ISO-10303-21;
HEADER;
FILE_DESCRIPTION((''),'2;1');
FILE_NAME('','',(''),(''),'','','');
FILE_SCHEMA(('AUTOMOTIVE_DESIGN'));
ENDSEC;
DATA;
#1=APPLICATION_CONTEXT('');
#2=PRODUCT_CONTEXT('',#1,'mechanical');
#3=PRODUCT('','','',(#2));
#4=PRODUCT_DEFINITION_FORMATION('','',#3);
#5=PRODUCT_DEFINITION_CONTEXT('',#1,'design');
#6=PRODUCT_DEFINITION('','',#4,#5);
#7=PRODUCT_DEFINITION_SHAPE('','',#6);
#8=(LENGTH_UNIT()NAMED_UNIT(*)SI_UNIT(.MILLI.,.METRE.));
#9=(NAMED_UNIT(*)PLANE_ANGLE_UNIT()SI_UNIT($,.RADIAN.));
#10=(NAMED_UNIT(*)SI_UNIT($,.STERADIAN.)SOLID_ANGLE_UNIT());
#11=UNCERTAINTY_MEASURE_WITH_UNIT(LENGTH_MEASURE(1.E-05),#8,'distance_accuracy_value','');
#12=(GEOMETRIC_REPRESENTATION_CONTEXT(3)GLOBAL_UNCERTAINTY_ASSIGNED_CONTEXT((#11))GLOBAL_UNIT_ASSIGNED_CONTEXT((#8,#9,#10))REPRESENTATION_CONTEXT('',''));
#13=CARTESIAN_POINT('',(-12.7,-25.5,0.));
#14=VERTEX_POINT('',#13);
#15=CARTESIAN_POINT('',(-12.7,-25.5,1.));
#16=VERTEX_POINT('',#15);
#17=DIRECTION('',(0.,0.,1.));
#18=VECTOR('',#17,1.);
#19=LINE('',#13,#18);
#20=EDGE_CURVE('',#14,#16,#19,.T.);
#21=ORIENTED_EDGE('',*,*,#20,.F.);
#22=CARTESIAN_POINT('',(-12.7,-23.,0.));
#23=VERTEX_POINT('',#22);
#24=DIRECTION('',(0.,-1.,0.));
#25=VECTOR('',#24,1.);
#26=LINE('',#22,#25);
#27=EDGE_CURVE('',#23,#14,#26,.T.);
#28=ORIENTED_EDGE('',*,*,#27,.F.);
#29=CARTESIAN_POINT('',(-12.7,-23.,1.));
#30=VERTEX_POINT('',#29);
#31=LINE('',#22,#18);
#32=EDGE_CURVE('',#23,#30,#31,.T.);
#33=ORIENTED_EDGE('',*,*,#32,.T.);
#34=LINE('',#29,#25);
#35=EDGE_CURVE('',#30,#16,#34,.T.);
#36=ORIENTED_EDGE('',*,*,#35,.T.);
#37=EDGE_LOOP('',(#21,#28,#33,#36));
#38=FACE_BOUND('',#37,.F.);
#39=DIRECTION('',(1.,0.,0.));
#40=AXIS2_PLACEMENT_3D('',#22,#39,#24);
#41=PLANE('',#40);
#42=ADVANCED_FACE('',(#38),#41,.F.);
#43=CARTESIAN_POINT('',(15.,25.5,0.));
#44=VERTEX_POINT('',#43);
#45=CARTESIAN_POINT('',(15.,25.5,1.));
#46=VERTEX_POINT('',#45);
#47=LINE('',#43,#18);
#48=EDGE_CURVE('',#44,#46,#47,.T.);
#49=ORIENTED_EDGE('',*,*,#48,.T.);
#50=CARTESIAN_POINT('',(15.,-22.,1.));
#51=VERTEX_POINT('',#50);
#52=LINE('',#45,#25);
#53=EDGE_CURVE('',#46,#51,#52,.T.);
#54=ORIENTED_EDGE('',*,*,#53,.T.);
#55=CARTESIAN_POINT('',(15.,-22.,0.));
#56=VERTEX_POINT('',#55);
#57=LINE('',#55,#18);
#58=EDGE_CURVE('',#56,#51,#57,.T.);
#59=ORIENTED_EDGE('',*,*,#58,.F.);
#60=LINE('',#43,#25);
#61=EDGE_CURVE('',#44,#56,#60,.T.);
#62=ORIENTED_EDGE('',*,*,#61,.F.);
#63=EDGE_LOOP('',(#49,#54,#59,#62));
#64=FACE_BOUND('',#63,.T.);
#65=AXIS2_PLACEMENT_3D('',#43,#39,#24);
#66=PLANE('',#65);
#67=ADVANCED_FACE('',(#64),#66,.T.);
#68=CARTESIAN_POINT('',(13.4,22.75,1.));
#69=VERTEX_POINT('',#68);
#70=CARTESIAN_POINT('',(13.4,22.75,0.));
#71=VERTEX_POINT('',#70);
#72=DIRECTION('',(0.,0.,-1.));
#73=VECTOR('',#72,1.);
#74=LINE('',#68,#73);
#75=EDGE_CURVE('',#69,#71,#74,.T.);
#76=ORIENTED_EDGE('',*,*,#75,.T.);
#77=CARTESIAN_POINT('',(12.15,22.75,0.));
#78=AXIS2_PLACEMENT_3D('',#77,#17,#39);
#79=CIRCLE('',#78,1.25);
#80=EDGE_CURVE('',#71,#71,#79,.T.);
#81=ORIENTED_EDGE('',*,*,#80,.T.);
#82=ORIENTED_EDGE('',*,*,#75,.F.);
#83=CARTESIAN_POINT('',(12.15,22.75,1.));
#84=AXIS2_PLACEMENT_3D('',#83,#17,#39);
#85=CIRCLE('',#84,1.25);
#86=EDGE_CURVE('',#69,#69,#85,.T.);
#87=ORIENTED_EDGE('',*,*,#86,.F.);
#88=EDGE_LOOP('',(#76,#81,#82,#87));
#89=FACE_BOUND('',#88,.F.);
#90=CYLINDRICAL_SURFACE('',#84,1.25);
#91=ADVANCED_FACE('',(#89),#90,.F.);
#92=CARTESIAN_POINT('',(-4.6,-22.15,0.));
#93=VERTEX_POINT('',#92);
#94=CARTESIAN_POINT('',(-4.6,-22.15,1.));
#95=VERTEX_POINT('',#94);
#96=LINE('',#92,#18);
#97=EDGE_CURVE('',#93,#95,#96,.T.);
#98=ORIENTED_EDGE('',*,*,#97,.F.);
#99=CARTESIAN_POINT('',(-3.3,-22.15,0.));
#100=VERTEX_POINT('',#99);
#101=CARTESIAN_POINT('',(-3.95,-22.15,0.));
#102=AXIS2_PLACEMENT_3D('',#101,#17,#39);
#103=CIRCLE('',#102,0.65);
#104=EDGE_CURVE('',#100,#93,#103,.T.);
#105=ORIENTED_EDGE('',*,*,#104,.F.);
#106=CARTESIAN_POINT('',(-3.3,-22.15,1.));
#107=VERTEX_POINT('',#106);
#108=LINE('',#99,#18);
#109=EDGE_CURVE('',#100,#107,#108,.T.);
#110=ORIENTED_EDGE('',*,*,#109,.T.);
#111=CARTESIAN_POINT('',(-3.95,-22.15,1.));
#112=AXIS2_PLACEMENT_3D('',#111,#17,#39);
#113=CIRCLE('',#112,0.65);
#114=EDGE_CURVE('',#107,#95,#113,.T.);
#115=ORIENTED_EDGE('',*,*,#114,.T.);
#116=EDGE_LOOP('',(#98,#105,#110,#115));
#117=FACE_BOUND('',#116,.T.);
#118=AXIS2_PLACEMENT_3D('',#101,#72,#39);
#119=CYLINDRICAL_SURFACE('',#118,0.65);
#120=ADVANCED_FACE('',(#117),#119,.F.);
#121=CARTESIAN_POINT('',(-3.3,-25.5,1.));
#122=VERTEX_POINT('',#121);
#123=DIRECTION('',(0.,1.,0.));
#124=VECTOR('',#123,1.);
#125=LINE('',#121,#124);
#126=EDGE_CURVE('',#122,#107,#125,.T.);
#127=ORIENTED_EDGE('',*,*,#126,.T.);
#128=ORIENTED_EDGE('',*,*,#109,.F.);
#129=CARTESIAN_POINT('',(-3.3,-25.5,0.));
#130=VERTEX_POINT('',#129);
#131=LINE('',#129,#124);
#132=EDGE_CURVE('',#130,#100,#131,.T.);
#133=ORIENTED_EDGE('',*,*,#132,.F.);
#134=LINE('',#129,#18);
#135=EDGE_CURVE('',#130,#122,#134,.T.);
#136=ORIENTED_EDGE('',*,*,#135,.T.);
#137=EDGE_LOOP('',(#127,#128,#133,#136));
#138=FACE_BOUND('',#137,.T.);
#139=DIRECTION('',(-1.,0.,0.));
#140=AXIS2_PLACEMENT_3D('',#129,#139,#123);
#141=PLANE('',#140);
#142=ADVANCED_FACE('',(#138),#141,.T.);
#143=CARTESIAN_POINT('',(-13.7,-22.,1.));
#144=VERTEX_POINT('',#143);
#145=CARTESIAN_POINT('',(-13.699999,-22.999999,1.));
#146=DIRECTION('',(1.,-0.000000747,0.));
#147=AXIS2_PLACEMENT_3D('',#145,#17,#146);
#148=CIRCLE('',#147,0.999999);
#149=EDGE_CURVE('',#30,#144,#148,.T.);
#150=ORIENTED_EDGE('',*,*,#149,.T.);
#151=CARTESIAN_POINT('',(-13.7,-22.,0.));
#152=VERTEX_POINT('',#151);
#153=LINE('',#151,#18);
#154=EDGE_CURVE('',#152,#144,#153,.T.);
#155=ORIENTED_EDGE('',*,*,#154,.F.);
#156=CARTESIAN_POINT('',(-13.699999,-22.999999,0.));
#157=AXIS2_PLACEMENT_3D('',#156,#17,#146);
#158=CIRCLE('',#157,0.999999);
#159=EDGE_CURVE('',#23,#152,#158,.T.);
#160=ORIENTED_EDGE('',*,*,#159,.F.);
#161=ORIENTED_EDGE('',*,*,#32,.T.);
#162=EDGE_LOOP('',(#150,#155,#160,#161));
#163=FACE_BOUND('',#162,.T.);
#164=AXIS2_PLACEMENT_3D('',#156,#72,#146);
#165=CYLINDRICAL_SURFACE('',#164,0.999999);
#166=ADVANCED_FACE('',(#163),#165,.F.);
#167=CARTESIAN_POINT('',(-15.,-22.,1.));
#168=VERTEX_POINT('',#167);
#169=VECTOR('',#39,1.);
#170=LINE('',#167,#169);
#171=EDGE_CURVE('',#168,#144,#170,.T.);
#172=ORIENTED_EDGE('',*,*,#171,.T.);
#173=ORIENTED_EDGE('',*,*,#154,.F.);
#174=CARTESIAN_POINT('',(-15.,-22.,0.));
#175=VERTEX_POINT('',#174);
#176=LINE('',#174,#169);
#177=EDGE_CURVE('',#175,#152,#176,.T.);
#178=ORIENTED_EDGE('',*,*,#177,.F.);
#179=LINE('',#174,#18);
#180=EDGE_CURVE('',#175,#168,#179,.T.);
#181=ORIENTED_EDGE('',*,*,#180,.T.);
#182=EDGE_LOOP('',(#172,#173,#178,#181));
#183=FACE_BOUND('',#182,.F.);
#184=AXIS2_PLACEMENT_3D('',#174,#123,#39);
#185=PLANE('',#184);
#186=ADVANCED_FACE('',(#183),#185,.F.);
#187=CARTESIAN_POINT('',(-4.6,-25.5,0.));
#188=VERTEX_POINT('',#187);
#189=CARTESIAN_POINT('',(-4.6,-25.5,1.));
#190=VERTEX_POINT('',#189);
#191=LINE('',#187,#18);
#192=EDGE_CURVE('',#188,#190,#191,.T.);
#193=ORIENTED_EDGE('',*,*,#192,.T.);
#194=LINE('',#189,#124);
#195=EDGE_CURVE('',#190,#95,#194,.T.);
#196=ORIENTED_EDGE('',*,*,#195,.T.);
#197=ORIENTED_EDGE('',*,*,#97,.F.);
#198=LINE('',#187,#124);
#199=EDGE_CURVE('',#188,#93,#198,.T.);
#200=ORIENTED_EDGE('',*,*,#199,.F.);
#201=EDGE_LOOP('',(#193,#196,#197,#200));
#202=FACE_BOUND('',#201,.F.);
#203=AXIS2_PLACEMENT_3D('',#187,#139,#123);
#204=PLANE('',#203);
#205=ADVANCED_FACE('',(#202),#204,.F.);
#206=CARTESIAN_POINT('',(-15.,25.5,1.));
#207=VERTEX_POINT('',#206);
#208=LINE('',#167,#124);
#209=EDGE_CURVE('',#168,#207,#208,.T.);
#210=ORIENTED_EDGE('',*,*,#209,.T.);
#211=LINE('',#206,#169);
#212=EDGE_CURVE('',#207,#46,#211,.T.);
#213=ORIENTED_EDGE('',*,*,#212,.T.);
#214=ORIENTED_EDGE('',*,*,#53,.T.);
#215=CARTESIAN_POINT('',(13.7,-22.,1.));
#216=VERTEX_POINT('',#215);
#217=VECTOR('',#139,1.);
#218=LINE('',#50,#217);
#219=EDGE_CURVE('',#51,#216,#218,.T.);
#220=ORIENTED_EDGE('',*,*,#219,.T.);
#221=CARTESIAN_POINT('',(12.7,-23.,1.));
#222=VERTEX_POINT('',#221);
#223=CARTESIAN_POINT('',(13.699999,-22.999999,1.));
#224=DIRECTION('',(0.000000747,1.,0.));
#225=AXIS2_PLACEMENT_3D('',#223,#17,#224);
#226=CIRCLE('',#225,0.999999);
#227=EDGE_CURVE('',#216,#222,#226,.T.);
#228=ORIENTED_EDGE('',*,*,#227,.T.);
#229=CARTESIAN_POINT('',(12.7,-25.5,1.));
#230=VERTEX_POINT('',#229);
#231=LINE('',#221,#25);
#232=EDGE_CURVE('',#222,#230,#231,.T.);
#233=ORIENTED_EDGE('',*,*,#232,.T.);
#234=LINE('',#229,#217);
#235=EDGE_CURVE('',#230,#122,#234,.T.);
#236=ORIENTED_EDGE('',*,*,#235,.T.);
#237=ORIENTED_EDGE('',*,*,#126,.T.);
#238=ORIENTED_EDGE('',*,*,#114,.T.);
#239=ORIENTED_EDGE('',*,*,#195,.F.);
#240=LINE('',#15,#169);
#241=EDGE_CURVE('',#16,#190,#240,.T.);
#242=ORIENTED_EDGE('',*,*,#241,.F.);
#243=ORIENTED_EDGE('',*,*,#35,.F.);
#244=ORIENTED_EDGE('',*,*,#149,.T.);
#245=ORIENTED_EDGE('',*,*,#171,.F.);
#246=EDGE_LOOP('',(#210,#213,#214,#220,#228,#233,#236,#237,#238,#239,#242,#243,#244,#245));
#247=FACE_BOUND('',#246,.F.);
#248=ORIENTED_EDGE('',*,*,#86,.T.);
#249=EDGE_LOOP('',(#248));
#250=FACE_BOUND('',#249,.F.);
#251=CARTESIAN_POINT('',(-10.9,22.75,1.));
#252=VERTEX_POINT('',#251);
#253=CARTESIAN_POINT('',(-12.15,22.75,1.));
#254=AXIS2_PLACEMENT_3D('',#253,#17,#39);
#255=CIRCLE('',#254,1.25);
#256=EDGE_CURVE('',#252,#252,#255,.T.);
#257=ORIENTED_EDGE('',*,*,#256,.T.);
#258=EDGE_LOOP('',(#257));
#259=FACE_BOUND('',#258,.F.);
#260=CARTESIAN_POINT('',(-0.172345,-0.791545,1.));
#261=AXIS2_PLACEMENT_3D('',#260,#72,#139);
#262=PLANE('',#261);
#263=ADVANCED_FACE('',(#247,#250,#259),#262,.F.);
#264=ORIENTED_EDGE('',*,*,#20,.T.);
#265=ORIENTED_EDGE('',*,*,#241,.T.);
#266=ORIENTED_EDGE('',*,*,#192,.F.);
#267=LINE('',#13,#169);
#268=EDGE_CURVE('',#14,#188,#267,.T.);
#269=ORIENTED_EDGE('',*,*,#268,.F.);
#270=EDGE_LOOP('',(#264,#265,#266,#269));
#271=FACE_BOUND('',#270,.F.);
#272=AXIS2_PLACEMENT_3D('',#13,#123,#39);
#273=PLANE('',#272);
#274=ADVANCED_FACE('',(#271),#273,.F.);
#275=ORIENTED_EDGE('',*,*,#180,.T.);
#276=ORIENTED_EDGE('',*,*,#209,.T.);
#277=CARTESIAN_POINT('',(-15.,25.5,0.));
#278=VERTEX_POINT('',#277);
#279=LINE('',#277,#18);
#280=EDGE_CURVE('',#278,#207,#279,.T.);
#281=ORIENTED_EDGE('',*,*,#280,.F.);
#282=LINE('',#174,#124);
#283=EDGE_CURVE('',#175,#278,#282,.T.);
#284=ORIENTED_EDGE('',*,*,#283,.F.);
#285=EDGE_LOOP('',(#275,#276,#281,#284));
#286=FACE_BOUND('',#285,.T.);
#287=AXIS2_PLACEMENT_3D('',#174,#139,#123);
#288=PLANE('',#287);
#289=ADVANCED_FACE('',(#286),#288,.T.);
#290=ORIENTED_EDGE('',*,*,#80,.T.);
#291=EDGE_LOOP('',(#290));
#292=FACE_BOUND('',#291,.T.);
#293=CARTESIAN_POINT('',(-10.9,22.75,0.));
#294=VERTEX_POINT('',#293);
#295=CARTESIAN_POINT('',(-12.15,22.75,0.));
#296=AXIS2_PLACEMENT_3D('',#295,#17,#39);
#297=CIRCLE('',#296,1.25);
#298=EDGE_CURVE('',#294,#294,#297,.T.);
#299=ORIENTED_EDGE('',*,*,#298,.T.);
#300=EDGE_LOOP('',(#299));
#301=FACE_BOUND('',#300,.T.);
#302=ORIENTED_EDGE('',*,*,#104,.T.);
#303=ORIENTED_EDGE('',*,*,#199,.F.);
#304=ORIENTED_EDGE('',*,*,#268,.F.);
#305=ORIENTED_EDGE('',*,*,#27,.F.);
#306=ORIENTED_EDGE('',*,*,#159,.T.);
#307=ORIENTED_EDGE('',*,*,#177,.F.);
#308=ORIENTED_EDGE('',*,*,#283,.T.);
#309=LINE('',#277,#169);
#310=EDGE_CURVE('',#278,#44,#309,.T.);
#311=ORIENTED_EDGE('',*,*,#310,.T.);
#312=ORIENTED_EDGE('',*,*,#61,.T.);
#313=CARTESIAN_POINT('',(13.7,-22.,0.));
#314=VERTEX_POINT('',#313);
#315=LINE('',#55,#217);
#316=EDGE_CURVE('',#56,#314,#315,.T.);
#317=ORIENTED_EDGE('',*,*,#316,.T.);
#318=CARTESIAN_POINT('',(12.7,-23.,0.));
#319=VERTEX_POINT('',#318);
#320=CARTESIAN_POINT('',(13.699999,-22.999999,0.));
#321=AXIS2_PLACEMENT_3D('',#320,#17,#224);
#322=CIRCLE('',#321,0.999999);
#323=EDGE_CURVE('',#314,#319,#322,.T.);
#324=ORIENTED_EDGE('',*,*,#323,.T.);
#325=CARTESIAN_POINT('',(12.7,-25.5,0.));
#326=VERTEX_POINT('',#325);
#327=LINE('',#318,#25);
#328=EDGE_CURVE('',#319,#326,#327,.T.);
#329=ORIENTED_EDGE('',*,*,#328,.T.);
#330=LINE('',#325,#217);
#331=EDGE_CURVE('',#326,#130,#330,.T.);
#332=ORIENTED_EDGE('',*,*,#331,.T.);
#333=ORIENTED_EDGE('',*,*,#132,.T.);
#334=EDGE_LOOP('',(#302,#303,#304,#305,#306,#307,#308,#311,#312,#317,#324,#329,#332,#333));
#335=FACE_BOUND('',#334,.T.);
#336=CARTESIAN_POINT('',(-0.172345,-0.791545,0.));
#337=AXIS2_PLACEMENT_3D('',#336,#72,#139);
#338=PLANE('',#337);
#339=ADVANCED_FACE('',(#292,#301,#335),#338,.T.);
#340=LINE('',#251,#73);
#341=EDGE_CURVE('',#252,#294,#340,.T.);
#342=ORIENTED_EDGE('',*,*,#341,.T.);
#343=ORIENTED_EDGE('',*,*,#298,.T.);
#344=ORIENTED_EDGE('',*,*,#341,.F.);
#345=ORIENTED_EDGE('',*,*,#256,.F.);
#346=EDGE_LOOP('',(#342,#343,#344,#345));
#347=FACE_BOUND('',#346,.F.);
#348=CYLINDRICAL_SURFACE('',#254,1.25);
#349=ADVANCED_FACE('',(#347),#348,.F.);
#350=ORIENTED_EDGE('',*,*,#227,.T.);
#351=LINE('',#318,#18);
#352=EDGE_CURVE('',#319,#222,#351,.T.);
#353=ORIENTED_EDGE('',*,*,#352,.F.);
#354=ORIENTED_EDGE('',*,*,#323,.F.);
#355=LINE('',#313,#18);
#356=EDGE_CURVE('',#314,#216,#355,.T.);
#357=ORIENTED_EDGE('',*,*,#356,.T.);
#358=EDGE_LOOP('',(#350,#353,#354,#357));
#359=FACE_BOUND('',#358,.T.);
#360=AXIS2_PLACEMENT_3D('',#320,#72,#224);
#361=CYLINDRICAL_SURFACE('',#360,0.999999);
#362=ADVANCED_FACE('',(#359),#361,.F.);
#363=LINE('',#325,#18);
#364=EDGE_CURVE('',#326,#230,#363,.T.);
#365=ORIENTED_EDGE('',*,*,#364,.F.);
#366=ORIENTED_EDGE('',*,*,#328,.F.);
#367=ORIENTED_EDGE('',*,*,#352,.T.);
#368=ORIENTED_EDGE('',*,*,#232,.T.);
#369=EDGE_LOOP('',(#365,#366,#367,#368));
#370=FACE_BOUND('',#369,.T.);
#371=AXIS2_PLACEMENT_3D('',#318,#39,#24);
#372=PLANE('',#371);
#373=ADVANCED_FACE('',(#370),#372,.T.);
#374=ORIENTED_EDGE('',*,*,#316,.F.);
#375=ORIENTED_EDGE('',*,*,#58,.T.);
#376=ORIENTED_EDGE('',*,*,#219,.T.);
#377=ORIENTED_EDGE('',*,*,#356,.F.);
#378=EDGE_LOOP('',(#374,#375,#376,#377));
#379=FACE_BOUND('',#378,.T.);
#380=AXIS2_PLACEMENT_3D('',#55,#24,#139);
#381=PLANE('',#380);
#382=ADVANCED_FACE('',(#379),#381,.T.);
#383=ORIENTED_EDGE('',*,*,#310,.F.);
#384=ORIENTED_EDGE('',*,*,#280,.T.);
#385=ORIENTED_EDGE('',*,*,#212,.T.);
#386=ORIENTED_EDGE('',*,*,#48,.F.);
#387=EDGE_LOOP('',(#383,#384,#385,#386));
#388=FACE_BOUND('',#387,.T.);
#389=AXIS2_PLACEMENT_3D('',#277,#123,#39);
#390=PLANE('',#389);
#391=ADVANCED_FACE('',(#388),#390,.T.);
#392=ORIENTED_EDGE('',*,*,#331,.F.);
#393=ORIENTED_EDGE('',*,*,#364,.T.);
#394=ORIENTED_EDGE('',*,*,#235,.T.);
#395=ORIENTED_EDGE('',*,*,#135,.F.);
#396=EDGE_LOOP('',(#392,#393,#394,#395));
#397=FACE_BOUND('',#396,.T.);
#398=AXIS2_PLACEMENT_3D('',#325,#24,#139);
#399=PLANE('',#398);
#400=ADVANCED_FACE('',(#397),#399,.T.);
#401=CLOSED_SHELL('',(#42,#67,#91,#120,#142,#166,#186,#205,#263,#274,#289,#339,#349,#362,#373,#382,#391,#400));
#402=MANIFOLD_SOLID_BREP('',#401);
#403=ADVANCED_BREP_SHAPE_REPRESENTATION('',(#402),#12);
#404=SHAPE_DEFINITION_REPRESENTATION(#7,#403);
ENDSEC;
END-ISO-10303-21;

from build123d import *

# Parameters (mm, degrees)
PAD_DEPTH    = 1
SKETCH001_R  = 1.25
POCKET_DEPTH = 1.001


with BuildPart() as part:
    # Sketch → Pad (new body)
    with BuildSketch(Plane.XY):
        with BuildLine():
            Line((-15, -22), (-15, 25.5))
            Line((-15, 25.5), (15, 25.5))
            Line((15, 25.5), (15, -22))
            Line((15, -22), (13.7, -22))
            ThreePointArc((13.7, -22), (12.992893, -22.292893), (12.7, -23))
            Line((12.7, -23), (12.7, -25.5))
            Line((12.7, -25.5), (-3.3, -25.5))
            Line((-3.3, -25.5), (-3.3, -22.15))
            ThreePointArc((-3.3, -22.15), (-3.95, -21.5), (-4.6, -22.15))
            Line((-4.6, -25.5), (-4.6, -22.15))
            Line((-12.7, -25.5), (-4.6, -25.5))
            Line((-12.7, -23), (-12.7, -25.5))
            ThreePointArc((-12.7, -23), (-12.992893, -22.292893), (-13.7, -22))
            Line((-15, -22), (-13.7, -22))
        make_face()
    extrude(amount=PAD_DEPTH)

    # Sketch001 (on Face16 of Pad) → Pocket (cut, through all)
    with BuildSketch(Plane.XY.offset(1)):
        with Locations((-12.15, 22.75)):
            Circle(SKETCH001_R)
        with Locations((12.15, 22.75)):
            Circle(SKETCH001_R)
    extrude(amount=-POCKET_DEPTH, mode=Mode.SUBTRACT)


solid = part.part
